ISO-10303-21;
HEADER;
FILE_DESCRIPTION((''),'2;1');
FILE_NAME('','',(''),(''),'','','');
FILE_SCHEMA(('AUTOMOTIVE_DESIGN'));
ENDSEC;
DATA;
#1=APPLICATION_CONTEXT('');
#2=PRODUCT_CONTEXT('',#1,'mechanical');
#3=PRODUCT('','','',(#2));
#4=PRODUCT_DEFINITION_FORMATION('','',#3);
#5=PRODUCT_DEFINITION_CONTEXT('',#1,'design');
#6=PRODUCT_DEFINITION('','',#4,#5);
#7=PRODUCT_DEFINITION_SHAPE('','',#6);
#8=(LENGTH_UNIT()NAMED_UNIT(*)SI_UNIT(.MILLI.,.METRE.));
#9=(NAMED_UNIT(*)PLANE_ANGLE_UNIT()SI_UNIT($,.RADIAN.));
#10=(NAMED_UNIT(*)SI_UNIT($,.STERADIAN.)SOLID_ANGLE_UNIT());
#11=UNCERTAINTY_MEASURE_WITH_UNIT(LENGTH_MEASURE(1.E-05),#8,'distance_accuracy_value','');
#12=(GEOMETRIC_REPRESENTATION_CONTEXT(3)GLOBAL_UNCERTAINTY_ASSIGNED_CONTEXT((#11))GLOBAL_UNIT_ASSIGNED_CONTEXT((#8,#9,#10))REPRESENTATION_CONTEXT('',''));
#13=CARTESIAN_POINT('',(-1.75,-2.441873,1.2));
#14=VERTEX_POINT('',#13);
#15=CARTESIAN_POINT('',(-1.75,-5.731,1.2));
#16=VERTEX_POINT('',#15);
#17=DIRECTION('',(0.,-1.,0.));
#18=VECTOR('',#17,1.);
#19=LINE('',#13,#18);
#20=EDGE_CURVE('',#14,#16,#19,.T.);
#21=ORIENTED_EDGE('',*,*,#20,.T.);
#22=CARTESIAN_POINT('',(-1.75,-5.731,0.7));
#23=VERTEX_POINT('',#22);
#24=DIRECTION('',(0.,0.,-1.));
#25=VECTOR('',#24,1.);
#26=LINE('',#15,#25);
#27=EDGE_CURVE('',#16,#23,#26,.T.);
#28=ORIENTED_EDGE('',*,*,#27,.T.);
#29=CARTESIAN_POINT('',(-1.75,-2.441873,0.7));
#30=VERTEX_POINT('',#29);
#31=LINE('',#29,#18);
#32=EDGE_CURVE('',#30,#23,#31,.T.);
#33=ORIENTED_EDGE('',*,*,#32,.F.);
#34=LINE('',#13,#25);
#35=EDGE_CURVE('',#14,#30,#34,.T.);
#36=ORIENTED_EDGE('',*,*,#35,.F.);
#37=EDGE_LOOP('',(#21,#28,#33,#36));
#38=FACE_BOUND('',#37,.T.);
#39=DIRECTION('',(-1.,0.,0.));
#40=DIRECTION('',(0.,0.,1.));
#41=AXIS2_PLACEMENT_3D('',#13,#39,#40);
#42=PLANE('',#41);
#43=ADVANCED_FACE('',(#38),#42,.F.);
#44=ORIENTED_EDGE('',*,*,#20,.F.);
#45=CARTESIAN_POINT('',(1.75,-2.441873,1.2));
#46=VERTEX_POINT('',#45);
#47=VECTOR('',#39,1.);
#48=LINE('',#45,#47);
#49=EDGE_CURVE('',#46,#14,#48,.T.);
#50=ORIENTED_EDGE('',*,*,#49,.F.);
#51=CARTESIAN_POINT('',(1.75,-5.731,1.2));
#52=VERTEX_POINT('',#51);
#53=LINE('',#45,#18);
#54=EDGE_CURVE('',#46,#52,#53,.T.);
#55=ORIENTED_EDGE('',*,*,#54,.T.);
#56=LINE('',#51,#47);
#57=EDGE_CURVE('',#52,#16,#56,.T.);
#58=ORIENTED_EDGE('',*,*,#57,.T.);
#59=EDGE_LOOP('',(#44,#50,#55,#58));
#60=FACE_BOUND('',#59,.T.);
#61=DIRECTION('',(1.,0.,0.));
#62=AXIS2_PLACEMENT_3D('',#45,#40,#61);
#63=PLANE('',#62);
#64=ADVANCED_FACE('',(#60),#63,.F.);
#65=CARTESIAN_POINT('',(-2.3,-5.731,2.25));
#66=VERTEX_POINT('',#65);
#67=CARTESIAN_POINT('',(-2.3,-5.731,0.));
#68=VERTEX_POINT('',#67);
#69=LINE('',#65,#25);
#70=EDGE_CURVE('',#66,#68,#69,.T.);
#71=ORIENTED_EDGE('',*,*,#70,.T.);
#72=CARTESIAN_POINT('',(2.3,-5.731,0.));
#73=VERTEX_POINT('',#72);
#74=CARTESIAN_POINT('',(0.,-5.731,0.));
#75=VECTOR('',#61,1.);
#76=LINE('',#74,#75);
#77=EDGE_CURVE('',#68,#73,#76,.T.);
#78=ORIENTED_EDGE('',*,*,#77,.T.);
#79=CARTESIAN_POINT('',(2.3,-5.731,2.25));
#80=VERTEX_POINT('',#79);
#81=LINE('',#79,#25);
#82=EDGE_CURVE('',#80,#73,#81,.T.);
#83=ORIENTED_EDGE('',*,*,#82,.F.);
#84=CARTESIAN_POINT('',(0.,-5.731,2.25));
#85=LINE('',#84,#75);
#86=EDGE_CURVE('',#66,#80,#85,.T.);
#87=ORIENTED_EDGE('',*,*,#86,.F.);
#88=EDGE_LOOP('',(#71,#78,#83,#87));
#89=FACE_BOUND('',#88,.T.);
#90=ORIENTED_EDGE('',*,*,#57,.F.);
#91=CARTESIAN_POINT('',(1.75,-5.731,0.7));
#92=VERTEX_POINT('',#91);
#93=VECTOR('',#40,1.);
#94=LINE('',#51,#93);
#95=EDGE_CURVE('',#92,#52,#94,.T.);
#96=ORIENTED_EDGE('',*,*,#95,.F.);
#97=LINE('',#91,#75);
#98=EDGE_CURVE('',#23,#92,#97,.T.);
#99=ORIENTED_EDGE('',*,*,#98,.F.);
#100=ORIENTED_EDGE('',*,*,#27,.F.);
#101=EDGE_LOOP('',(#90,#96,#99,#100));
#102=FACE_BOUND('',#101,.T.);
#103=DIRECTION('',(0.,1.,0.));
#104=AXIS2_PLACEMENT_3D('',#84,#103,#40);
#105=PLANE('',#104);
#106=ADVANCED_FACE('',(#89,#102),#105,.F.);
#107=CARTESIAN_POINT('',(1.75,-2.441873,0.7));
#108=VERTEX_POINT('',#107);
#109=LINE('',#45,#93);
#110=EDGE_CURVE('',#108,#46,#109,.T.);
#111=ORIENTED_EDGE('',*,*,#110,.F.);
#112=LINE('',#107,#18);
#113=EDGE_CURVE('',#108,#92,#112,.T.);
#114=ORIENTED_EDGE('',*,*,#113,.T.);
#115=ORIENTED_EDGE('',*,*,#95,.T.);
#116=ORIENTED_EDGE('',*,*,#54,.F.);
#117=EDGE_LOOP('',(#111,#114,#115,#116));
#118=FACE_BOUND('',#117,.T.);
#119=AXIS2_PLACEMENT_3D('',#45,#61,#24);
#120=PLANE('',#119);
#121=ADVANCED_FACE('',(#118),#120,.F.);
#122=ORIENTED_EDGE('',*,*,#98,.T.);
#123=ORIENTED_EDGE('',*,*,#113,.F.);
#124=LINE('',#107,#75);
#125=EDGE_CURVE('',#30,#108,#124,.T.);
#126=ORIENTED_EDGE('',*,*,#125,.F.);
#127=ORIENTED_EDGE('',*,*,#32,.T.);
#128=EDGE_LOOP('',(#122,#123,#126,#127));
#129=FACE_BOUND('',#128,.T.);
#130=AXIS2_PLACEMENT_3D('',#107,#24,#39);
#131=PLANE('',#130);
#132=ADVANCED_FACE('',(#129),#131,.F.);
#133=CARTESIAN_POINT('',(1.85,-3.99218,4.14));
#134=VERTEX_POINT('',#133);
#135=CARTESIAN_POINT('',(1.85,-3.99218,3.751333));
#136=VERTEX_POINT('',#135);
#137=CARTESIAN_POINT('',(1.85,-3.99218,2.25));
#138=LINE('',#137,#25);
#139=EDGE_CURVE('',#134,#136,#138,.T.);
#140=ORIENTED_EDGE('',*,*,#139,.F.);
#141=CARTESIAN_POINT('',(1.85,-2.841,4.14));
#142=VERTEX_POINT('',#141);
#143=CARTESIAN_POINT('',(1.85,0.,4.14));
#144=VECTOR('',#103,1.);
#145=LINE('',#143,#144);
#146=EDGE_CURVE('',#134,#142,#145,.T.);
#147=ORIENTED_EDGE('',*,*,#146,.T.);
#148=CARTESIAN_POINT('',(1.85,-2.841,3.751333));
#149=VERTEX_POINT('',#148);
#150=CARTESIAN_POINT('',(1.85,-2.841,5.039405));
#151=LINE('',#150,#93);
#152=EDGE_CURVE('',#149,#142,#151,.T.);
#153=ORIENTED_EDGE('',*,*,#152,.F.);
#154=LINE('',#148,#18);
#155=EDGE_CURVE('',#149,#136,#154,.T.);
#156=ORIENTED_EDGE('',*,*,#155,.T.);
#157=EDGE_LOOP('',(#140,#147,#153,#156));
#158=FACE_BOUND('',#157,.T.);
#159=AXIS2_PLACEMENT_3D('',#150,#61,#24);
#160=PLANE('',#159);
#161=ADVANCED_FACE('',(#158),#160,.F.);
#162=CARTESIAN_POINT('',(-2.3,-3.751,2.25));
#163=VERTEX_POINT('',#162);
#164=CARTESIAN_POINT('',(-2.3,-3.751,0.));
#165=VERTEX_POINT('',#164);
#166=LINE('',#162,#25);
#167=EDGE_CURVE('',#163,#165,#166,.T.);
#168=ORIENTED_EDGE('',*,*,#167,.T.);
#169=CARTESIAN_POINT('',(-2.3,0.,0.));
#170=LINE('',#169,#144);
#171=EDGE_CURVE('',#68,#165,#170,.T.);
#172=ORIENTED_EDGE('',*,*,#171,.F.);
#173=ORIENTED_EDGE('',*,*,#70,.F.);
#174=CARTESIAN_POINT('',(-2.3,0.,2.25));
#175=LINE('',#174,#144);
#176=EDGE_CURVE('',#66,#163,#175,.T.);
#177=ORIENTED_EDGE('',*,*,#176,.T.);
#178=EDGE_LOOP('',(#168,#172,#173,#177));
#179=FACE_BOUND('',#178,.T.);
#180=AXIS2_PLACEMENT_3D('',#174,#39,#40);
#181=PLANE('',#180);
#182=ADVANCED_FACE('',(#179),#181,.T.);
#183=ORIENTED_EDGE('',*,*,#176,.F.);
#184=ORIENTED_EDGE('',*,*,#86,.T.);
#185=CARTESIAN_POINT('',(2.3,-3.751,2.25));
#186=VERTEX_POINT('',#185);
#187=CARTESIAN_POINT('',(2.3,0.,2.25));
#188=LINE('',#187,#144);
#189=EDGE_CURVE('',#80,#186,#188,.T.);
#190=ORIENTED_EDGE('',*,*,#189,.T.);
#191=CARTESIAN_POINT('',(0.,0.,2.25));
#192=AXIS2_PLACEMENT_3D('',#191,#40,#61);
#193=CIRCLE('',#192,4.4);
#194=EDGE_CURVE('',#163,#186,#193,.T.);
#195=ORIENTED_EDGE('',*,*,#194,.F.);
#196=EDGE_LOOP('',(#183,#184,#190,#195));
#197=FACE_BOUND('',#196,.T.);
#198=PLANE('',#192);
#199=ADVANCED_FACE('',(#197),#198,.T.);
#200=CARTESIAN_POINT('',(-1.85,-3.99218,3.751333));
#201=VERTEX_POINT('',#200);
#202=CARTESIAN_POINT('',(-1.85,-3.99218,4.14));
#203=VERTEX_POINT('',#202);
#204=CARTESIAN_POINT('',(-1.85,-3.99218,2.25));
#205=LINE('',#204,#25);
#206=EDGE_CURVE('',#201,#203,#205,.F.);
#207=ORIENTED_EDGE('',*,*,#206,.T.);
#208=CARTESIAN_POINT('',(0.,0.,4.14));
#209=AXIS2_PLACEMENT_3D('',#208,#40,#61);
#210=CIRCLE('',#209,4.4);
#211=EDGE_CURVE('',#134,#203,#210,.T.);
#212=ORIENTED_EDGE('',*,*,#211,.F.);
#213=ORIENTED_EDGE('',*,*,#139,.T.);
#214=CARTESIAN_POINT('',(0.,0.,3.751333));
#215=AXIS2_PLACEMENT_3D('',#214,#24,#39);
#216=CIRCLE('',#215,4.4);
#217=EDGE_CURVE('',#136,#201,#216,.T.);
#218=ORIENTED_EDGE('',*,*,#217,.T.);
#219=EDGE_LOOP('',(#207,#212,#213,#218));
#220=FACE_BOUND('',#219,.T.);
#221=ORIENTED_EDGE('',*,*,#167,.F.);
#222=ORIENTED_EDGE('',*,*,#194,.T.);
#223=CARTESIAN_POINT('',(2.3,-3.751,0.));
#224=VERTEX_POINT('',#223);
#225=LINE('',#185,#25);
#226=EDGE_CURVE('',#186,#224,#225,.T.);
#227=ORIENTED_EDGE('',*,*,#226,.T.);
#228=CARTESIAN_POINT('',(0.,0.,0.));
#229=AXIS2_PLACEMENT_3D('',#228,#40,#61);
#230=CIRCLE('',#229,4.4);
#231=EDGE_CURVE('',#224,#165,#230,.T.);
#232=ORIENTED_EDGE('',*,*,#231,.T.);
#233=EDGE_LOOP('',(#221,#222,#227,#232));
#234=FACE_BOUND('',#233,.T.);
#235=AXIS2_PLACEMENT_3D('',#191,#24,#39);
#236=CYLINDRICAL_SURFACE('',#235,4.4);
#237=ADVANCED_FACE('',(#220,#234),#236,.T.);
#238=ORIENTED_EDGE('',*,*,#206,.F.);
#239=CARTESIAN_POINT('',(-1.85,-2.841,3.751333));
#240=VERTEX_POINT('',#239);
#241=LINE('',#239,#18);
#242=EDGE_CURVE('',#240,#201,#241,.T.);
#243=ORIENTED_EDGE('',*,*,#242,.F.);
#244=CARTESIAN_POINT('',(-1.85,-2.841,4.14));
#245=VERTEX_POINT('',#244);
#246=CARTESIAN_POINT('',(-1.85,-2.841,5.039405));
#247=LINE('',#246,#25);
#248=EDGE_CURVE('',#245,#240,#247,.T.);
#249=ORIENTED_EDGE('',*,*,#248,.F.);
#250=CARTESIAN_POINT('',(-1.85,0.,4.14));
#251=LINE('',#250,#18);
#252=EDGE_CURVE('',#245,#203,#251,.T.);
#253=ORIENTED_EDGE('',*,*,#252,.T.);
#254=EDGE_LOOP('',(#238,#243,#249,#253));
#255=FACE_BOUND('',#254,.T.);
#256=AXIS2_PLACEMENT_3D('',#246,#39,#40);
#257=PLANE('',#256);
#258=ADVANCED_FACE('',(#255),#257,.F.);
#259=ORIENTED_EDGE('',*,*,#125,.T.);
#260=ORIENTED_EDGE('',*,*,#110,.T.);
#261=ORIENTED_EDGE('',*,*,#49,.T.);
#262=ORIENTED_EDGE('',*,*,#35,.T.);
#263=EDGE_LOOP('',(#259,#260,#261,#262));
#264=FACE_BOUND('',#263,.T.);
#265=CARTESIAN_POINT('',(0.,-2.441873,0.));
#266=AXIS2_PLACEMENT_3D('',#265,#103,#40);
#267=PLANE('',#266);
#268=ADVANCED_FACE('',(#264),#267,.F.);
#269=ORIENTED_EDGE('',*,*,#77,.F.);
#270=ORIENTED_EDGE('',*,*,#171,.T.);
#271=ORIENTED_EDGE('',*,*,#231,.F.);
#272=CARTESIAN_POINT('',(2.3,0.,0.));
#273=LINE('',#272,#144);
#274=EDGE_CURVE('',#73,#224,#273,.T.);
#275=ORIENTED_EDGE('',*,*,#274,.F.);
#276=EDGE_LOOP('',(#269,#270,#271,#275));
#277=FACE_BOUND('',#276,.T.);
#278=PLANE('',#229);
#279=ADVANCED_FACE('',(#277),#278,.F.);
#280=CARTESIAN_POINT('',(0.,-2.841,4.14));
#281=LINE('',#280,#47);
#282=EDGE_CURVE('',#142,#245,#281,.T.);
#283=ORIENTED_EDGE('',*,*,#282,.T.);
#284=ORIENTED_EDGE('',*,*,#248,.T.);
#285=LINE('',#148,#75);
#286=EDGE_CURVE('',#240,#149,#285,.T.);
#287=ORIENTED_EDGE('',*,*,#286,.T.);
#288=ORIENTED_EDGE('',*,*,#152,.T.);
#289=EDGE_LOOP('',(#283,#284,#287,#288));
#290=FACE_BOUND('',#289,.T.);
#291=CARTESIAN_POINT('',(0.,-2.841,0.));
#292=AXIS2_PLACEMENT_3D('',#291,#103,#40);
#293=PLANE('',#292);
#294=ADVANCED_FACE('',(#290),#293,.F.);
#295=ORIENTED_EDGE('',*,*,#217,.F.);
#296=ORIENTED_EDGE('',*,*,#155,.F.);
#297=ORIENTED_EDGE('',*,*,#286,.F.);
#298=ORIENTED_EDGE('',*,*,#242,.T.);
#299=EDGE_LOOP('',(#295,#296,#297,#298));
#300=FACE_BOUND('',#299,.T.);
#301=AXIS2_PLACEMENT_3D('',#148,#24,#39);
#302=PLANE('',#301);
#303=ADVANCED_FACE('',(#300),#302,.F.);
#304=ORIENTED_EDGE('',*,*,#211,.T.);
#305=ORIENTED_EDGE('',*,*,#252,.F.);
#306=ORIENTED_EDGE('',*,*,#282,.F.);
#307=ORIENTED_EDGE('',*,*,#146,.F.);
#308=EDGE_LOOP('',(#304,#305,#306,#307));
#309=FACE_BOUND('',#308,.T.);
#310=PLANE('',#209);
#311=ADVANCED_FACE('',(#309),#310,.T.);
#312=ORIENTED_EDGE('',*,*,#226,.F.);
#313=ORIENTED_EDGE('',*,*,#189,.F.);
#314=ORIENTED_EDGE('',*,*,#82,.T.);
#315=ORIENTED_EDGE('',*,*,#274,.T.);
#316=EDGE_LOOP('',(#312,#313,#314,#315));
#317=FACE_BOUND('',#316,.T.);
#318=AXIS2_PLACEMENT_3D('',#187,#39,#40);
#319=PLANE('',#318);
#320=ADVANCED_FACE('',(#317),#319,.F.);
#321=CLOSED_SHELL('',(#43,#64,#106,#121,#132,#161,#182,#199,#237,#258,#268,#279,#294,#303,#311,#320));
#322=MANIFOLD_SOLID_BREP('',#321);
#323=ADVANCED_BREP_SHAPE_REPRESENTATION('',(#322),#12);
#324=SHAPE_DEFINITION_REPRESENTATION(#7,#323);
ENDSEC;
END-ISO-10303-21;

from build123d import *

# Parameters (mm, degrees)
P_IDAT_VYSUNUT_M1_DEPTH  = 2.25
SKICA2_W                 = 3.5
SKICA2_H                 = 0.5
ODEBRAT_VYSUNUT_M1_DEPTH = 3.289126928
SKICA3_R                 = 4.4
P_IDAT_VYSUNUT_M2_DEPTH  = 1.89
SKICA5_W                 = 3.7
SKICA5_H                 = 1.288072418
ODEBRAT_VYSUNUT_M2_DEPTH = 2.89


with BuildPart() as part:
    # Skica1 → Přidat vysunutím1 (new body)
    with BuildSketch(Plane.XY):
        with BuildLine():
            Line((-2.3, -3.750999867), (-2.3, -5.730999867))
            Line((-2.3, -5.730999867), (2.3, -5.730999867))
            Line((2.3, -5.730999867), (2.3, -3.750999867))
            ThreePointArc((2.3, -3.750999867), (0, 4.4), (-2.3, -3.750999867))
        make_face()
    extrude(amount=P_IDAT_VYSUNUT_M1_DEPTH)

    # Skica2 → Odebrat vysunutím1 (cut)
    with BuildSketch(Plane(origin=(0, -5.730999867, 0), x_dir=(-1, 0, 0), z_dir=(0, -1, 0))):
        with Locations((0, -0.95)):
            Rectangle(SKICA2_W, SKICA2_H)
    extrude(amount=-ODEBRAT_VYSUNUT_M1_DEPTH, mode=Mode.SUBTRACT)

    # Skica3 → Přidat vysunutím2 (add)
    with BuildSketch(Plane.XY.offset(2.25)):
        with Locations(Location((0, 0, 0), (0, 0, 238.484629998))):
            Circle(SKICA3_R)
    extrude(amount=P_IDAT_VYSUNUT_M2_DEPTH)

    # Skica5 → Odebrat vysunutím2 (cut)
    with BuildSketch(Plane(origin=(0, -5.730999867, 0), x_dir=(-1, 0, 0), z_dir=(0, -1, 0))):
        with Locations((0, -4.395369221)):
            Rectangle(SKICA5_W, SKICA5_H)
    extrude(amount=-ODEBRAT_VYSUNUT_M2_DEPTH, mode=Mode.SUBTRACT)


solid = part.part
